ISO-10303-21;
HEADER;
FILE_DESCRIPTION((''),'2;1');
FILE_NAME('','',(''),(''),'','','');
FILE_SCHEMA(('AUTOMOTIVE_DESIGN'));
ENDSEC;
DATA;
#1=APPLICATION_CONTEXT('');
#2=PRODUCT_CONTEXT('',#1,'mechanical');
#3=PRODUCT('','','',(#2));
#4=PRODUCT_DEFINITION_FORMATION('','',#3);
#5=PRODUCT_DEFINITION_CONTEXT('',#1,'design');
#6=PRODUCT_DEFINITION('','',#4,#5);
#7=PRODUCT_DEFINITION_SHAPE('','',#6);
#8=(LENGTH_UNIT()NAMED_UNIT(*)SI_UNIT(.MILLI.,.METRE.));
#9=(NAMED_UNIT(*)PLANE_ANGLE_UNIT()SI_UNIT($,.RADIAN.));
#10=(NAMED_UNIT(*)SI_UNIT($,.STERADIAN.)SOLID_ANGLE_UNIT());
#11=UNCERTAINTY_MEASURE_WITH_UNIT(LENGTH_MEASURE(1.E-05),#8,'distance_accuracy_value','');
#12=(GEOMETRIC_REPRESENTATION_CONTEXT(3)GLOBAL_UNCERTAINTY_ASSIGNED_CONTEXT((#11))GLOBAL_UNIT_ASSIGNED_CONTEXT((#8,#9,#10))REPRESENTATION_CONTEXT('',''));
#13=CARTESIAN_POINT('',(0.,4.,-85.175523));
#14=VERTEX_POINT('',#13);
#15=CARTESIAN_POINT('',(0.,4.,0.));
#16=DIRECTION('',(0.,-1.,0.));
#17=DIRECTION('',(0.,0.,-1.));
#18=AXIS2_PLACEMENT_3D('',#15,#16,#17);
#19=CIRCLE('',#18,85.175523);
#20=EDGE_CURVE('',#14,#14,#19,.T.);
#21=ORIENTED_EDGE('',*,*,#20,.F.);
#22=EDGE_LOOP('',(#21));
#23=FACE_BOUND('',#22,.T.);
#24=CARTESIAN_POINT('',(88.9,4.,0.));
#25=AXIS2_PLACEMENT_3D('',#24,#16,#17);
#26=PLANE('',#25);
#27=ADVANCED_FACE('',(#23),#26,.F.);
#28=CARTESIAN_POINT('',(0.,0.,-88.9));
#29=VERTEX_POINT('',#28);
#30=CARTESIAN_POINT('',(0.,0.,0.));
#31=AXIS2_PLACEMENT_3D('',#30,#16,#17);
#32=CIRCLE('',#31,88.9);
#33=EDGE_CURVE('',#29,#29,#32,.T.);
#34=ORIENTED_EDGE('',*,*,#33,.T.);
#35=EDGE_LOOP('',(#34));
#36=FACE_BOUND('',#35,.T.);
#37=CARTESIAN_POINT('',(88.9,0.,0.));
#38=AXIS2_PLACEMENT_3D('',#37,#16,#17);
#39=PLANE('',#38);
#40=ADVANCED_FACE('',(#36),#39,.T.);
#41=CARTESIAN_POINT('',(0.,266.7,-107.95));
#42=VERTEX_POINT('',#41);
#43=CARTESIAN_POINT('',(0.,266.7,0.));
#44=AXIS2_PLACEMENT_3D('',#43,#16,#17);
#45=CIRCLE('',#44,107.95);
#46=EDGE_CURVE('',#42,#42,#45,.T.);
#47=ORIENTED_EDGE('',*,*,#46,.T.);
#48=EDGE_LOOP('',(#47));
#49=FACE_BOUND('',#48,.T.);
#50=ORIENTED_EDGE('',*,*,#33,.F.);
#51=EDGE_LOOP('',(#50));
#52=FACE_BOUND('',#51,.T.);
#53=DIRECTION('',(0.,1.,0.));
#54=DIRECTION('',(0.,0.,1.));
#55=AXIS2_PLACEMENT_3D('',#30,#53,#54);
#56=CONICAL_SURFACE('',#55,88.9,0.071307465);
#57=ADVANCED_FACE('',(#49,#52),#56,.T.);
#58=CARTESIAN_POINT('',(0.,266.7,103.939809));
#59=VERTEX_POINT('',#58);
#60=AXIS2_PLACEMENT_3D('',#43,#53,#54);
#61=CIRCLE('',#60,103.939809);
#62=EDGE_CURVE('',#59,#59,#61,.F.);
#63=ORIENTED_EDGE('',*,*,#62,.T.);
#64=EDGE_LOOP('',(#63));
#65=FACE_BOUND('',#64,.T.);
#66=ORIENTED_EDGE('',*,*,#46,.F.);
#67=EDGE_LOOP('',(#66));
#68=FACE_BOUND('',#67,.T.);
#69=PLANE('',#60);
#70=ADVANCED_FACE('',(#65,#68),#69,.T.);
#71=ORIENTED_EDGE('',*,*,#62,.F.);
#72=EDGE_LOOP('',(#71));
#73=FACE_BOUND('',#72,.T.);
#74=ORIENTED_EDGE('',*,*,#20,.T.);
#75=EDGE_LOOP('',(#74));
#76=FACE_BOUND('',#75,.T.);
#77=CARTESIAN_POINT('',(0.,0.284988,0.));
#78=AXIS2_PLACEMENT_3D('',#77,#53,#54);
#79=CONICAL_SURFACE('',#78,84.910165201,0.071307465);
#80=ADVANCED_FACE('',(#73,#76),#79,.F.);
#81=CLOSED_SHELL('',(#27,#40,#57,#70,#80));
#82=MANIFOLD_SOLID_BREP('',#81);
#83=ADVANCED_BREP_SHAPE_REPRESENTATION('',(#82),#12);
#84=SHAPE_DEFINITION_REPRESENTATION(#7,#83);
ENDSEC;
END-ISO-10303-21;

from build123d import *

# Parameters (mm, degrees)
SHELL1_T = -4


with BuildPart() as part:
    # Sketch7 → Revolve1 (revolve)
    with BuildSketch(Plane.XY, mode=Mode.PRIVATE) as revolve1_sk:
        Polygon((0, 0), (0, 266.7), (107.95, 266.7), (88.9, 0), align=None)
    revolve(revolve1_sk.sketch.rotate(Axis((0, 0, 0), (0, 1, 0)), 90), axis=Axis((0, 0, 0), (0, 1, 0)))

    # Shell1
    shell1_openings = [part.faces().sort_by_distance(p)[0] for p in [
        (0, 266.7, 0),
    ]]
    offset(amount=SHELL1_T, openings=shell1_openings, kind=Kind.INTERSECTION)


solid = part.part
